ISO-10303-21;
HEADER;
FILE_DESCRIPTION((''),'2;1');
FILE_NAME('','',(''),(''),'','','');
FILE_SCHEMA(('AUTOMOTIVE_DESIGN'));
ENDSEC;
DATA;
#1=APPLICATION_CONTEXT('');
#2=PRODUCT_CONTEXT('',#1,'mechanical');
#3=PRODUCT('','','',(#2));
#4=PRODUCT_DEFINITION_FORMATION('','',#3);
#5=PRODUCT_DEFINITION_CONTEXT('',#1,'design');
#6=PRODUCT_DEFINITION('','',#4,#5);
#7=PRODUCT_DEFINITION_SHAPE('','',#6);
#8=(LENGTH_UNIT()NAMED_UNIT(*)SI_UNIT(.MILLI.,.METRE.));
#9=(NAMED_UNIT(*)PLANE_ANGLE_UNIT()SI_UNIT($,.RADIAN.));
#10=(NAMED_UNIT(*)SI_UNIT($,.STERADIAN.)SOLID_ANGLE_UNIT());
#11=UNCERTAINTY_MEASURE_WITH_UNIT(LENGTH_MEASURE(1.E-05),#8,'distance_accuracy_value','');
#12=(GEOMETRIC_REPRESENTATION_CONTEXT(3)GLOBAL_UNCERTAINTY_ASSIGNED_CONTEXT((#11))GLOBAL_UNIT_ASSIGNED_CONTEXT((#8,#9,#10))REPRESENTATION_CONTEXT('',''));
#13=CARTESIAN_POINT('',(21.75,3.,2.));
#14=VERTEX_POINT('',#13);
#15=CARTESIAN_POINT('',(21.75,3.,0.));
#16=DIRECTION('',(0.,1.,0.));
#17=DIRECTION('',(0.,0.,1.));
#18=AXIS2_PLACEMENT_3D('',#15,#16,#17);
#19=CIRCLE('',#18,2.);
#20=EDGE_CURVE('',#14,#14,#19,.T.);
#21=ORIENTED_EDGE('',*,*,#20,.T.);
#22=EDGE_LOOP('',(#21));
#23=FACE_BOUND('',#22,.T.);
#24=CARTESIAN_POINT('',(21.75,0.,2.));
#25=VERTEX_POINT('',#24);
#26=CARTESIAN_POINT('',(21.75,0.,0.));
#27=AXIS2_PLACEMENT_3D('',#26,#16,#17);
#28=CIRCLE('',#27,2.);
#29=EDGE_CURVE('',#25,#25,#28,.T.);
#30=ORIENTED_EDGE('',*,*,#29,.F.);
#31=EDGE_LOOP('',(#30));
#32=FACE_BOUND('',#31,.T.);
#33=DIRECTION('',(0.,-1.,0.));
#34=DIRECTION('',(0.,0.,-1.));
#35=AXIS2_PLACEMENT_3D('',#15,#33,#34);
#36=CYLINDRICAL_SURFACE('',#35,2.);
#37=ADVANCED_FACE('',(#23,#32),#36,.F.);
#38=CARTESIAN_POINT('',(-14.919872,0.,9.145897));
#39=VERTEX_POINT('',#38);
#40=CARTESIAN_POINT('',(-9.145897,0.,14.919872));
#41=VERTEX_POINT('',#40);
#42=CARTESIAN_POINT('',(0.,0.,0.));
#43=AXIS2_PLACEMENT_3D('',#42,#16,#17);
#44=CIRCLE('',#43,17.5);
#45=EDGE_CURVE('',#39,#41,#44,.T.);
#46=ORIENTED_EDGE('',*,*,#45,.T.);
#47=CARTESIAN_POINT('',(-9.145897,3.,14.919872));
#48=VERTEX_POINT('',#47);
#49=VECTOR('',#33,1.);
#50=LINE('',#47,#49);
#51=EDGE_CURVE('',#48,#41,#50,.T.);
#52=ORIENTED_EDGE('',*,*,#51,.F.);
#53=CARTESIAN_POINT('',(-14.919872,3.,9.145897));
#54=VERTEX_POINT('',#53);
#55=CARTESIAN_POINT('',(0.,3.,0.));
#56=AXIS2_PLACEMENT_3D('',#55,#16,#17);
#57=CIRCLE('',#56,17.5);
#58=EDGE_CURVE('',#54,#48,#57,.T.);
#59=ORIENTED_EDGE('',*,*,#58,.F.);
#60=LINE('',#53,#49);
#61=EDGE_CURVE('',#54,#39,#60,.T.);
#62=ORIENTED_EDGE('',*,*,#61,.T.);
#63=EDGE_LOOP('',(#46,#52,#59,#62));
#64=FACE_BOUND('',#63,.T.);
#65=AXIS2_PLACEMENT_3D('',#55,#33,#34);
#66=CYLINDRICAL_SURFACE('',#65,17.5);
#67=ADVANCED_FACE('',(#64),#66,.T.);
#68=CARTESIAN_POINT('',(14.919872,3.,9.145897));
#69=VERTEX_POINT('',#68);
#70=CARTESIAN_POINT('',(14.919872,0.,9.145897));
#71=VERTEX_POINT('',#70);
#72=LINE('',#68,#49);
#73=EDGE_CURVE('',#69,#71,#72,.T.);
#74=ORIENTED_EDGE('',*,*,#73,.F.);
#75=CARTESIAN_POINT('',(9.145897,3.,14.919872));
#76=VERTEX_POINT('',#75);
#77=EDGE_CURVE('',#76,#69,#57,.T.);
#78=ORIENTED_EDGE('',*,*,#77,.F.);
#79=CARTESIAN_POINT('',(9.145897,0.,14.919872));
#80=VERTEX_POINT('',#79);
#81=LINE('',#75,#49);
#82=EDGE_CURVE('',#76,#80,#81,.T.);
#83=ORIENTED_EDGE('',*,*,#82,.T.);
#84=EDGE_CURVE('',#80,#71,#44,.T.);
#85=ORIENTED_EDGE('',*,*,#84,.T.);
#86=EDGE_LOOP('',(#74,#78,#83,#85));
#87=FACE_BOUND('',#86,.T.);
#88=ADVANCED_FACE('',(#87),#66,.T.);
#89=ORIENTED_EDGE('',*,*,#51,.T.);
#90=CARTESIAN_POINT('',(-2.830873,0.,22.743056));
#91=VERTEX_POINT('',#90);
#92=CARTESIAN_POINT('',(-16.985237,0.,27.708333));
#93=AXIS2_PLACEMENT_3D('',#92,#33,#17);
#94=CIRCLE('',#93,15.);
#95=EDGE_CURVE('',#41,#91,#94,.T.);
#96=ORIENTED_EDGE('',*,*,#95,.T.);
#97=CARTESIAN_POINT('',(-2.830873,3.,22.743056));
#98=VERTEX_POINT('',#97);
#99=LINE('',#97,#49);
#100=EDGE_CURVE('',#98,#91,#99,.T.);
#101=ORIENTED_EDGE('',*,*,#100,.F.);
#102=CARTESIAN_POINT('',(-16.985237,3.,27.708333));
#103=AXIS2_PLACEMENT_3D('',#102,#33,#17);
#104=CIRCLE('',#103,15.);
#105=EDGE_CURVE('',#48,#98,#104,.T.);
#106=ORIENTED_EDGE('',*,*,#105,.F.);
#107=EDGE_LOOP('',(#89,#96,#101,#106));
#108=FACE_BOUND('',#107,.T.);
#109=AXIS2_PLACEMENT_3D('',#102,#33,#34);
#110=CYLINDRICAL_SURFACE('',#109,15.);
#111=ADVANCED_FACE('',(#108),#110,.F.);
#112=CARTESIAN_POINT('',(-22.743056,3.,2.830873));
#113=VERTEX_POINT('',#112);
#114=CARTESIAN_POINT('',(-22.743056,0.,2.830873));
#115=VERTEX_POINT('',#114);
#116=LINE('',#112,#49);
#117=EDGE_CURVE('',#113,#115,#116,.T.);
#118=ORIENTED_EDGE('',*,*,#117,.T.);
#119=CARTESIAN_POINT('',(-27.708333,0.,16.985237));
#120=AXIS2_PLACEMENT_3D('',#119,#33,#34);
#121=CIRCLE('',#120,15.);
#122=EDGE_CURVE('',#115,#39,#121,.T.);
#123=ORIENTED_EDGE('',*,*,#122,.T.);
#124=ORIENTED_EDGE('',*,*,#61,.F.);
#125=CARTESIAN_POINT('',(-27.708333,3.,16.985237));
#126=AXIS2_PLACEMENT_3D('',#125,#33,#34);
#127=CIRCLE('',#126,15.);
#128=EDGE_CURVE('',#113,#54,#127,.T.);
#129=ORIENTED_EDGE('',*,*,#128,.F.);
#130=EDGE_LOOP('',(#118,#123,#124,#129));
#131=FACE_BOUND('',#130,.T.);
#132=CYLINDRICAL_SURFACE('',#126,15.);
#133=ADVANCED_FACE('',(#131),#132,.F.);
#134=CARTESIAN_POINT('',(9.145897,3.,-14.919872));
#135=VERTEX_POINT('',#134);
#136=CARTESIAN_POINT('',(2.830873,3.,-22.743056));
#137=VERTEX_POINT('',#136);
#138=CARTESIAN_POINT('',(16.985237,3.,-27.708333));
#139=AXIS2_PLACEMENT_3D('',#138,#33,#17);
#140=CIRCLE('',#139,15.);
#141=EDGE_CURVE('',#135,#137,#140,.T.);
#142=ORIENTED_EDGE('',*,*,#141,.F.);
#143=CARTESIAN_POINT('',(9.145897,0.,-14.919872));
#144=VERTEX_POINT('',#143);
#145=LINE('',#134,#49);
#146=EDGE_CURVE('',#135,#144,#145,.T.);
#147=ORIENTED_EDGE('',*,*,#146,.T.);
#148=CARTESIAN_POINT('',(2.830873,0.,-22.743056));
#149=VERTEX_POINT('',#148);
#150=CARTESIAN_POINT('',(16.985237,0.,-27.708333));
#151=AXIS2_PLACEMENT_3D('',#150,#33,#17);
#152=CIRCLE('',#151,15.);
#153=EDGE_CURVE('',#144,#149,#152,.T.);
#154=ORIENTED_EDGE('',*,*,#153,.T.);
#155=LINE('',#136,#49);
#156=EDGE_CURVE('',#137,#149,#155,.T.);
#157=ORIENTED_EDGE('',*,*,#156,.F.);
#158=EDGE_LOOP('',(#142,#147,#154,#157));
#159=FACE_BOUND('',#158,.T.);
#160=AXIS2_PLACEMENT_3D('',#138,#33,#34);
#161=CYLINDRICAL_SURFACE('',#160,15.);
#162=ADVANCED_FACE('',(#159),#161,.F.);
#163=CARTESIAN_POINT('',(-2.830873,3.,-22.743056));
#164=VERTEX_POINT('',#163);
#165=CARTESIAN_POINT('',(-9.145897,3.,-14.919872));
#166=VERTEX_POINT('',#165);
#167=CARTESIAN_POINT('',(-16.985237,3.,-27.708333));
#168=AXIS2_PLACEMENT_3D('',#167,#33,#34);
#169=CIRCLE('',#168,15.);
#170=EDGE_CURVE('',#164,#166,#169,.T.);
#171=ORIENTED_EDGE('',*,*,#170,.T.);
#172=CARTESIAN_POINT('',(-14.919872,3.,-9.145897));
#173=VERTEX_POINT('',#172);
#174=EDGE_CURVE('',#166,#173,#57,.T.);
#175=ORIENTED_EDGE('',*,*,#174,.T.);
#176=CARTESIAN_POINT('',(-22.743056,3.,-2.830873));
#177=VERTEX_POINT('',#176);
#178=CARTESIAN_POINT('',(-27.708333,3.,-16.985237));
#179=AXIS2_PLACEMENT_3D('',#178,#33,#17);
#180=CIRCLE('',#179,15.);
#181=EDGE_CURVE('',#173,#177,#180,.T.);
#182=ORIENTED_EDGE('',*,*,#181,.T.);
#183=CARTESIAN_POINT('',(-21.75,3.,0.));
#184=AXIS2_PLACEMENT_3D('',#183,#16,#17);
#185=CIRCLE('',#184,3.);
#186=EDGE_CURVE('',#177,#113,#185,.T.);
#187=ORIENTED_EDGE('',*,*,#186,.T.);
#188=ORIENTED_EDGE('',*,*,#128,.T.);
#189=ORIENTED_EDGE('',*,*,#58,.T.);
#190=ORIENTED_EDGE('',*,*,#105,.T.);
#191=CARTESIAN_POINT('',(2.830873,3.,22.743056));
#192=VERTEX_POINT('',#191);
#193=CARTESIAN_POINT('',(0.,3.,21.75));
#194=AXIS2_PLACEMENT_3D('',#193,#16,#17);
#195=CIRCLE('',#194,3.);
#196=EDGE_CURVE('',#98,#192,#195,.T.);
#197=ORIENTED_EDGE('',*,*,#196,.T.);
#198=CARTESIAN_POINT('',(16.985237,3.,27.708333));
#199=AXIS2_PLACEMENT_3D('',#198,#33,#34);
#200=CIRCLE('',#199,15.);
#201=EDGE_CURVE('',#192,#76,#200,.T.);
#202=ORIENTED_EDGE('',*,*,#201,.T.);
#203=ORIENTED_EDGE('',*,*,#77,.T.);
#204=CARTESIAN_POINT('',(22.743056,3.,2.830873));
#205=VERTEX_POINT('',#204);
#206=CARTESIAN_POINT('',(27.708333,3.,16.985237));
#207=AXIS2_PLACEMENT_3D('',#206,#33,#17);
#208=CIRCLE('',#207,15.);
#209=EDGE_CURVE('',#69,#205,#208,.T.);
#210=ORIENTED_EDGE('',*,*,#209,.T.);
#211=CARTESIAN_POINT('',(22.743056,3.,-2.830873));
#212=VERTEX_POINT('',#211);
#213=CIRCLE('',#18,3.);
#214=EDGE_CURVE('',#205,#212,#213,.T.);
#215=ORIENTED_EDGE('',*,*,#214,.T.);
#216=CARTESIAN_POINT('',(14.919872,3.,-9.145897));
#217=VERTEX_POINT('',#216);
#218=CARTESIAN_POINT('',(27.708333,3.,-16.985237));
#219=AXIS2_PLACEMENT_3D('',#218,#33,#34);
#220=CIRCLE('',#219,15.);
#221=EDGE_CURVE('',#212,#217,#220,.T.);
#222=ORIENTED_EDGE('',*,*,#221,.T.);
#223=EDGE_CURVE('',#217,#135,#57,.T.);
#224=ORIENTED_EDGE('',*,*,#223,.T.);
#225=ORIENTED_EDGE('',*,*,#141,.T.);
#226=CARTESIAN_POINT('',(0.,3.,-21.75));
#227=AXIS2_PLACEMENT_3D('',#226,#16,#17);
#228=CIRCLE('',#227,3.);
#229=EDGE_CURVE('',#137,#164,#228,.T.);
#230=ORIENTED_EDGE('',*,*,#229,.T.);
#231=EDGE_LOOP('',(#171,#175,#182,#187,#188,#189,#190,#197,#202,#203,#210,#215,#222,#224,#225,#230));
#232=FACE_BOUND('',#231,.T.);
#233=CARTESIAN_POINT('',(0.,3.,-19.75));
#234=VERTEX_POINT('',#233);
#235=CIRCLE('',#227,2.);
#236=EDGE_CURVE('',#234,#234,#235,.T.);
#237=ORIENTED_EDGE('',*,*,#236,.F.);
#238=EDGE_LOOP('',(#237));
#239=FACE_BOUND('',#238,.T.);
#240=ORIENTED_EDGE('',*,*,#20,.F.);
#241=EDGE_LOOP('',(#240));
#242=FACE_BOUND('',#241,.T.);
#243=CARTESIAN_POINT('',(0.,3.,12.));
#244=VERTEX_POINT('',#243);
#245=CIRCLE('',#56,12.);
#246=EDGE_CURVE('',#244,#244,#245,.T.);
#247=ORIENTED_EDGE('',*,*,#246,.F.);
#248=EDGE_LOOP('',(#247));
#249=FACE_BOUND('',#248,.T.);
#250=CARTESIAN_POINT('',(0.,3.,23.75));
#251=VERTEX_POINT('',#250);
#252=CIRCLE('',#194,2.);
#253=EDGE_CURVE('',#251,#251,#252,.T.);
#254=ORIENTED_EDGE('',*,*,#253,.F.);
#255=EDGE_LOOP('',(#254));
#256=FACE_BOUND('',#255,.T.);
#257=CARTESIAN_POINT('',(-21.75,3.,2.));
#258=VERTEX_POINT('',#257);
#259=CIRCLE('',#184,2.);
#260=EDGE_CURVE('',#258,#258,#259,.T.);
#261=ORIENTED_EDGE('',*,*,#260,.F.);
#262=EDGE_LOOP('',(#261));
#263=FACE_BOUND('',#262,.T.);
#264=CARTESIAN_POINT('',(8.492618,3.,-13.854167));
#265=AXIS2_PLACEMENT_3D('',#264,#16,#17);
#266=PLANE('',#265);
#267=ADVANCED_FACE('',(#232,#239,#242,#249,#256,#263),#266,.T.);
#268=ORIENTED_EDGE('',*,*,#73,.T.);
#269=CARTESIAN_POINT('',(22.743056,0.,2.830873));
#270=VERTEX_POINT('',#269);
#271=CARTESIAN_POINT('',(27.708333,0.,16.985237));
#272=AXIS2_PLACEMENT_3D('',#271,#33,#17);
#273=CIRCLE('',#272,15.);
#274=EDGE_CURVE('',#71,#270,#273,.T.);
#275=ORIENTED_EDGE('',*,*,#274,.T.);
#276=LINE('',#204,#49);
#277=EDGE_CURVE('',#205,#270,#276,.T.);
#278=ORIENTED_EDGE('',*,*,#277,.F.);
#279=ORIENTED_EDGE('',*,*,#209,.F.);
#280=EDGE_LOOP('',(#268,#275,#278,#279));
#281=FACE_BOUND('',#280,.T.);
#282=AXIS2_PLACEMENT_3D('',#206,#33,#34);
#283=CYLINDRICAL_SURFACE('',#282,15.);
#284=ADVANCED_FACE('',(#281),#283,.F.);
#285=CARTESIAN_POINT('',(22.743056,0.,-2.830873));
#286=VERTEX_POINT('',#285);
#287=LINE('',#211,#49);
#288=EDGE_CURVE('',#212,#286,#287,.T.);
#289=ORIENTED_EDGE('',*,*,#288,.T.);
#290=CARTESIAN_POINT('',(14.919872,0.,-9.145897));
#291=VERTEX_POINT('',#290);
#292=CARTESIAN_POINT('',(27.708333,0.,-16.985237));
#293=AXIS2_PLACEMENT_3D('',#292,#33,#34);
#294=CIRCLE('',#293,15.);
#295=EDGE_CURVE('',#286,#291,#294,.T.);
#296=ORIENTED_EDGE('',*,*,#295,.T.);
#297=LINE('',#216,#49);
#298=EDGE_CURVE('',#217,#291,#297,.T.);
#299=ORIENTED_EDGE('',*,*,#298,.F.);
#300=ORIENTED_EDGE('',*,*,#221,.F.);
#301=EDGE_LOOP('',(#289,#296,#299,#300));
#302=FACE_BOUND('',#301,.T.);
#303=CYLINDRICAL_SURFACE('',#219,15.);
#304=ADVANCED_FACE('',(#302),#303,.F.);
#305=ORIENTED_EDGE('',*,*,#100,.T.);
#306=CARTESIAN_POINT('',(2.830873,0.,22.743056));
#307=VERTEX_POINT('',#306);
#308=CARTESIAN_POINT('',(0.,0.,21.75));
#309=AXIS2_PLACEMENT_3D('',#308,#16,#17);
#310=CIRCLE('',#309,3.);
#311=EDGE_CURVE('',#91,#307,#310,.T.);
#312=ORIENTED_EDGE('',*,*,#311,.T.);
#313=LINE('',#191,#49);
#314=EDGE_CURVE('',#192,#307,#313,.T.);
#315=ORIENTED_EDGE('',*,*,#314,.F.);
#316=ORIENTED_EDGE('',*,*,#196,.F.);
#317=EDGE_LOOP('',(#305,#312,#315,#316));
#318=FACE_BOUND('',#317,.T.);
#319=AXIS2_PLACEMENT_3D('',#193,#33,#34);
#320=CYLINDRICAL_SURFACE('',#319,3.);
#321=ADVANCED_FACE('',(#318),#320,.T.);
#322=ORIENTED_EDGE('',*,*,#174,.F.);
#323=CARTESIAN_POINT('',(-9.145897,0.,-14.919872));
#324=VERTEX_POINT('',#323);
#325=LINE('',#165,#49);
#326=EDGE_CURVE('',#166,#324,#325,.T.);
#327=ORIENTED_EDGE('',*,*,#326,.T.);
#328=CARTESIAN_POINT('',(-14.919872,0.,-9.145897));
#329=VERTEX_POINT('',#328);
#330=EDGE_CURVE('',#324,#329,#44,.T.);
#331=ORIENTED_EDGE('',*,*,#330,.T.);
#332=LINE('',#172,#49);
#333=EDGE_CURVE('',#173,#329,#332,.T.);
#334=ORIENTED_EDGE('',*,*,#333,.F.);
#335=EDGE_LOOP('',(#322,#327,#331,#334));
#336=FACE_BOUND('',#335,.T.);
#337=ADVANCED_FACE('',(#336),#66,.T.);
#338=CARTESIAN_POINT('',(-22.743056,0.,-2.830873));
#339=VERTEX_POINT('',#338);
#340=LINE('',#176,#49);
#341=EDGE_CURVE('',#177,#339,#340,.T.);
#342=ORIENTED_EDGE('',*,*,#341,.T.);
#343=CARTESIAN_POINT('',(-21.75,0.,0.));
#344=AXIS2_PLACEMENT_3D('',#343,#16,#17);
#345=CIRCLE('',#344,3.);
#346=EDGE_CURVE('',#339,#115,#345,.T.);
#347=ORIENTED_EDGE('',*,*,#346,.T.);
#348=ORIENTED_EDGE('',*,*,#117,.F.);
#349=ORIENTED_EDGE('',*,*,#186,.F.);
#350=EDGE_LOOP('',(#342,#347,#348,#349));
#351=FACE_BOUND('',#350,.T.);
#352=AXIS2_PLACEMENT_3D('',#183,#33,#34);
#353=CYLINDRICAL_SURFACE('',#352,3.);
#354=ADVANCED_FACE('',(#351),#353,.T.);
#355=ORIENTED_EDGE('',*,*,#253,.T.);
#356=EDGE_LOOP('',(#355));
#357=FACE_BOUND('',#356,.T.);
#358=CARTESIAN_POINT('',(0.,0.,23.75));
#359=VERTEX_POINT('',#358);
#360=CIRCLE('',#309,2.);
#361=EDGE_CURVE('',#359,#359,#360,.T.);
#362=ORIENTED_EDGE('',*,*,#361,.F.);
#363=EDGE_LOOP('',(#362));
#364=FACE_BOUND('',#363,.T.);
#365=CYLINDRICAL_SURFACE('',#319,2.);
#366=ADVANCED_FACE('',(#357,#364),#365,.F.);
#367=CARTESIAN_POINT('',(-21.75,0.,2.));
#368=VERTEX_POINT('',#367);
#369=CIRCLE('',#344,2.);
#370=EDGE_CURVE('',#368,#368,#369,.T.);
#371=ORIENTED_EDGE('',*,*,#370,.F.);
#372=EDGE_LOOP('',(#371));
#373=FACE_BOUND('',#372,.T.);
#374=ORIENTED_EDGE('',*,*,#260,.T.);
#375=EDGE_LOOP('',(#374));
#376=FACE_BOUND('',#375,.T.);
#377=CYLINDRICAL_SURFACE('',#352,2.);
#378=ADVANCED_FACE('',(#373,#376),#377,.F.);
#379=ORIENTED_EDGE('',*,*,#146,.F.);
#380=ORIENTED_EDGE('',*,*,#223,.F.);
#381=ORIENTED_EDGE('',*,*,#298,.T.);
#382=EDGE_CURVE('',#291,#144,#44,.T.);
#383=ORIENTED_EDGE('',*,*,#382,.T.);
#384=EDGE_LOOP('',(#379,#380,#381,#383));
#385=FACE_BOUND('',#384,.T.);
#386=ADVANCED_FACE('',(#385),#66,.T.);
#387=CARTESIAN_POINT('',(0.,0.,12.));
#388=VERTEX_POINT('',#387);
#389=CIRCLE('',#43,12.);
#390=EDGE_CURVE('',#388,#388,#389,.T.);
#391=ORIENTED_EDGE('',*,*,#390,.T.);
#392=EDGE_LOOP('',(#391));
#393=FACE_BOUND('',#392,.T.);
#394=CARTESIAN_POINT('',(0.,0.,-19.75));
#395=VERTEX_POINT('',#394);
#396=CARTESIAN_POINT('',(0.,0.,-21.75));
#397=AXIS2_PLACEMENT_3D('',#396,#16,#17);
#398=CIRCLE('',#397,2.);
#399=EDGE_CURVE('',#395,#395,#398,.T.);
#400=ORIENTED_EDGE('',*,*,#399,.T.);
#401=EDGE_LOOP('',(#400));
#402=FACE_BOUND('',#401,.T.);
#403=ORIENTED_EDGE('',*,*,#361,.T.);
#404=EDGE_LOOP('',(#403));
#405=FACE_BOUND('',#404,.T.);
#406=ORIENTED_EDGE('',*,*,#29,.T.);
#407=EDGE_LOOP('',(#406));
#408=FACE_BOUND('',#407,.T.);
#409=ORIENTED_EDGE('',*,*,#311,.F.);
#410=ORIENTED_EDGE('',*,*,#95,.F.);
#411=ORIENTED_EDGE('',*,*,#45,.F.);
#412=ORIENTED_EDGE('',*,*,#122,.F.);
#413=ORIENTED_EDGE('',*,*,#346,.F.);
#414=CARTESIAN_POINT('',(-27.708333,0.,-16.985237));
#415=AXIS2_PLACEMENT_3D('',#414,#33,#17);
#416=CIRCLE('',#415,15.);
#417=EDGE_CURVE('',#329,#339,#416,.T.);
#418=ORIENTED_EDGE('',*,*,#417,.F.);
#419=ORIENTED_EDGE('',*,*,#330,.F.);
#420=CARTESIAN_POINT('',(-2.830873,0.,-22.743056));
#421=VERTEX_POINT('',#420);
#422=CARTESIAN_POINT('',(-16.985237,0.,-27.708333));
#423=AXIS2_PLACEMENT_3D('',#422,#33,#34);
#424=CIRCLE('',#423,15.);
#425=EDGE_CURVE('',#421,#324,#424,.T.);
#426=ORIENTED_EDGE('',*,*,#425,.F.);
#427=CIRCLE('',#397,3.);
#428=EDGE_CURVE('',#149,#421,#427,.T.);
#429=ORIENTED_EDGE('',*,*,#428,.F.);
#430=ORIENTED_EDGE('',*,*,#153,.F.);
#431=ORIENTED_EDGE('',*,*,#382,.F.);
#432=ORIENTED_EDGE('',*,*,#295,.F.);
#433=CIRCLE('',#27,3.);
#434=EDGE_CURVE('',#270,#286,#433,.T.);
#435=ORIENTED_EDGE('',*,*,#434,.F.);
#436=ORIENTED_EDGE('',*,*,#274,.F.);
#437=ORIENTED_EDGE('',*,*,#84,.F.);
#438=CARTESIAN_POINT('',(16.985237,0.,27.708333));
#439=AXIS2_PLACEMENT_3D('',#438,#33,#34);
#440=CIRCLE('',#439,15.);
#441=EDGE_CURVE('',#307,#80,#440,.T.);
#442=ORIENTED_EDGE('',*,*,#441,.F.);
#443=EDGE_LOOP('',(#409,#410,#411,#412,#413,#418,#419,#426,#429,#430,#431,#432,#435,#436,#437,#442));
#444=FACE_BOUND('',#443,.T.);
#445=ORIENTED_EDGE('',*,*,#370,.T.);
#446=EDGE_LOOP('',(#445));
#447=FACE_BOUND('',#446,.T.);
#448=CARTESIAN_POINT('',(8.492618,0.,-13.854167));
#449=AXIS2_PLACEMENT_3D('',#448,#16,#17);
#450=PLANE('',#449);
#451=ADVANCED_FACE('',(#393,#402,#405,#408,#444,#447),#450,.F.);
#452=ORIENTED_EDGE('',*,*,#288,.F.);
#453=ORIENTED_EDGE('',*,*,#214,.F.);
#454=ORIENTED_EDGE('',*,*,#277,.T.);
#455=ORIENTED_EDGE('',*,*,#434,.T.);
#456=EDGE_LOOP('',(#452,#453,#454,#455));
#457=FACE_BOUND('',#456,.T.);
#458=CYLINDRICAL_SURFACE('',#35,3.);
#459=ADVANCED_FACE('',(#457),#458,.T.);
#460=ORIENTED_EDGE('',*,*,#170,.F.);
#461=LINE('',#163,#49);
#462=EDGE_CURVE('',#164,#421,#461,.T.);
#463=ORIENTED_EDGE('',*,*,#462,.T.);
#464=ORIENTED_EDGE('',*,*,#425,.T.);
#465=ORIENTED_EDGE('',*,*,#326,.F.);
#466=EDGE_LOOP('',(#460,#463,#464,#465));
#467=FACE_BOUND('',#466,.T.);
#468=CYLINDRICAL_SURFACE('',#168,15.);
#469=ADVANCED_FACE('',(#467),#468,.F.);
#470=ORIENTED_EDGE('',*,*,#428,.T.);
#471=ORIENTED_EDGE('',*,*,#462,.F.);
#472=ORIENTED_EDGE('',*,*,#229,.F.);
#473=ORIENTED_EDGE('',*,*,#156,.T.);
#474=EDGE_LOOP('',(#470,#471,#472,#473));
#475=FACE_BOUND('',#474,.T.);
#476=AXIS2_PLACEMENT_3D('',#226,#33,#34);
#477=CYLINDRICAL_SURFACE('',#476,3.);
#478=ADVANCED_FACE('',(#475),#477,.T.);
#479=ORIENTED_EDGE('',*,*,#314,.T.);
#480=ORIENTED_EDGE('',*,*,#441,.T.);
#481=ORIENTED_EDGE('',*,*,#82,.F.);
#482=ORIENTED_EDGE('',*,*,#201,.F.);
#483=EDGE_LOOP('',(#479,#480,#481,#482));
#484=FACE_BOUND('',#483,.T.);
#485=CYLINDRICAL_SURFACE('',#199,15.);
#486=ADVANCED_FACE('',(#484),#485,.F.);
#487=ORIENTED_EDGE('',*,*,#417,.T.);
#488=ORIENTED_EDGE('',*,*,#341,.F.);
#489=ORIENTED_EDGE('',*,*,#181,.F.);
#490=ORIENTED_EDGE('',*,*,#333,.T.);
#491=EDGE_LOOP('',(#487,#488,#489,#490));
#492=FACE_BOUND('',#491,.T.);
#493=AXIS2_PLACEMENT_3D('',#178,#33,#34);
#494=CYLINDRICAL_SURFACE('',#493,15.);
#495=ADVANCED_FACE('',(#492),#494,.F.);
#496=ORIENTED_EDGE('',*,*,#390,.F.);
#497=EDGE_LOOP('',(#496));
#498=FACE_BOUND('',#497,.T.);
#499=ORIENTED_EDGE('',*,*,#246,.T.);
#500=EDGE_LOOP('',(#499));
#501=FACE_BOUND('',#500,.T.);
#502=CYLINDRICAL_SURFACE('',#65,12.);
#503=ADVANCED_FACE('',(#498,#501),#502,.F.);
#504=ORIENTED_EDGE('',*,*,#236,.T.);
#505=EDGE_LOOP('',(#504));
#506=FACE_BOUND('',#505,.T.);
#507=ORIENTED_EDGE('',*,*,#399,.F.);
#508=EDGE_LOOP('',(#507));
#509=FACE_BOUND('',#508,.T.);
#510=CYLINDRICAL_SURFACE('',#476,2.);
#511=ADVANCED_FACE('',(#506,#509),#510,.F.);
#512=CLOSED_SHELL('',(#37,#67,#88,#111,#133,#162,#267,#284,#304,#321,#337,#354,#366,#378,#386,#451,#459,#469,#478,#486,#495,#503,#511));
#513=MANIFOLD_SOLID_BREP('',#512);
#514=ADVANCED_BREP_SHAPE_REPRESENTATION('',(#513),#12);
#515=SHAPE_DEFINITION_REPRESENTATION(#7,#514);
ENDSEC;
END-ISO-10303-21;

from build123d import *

# Parameters (mm, degrees)
SKETCH_1_R      = 12
SKETCH_1_R_2    = 2
EXTRUDE_1_DEPTH = 3


with BuildPart() as part:
    # ｽｹｯﾁ1 → ﾎﾞｽ - 押し出し1 (new body)
    with BuildSketch(Plane(origin=(0, 0, 0), x_dir=(1, 0, 0), z_dir=(0, 1, 0))):
        with BuildLine():
            ThreePointArc((-9.145896655, 14.919871795), (-12.374368671, 12.374368671), (-14.919871795, 9.145896655))
            ThreePointArc((-14.919871795, 9.145896655), (-18.286619233, 5.313420016), (-22.743055556, 2.830872774))
            ThreePointArc((-22.743055556, 2.830872774), (-24.75, 0), (-22.743055556, -2.830872774))
            ThreePointArc((-22.743055556, -2.830872774), (-18.286619233, -5.313420016), (-14.919871795, -9.145896655))
            ThreePointArc((-14.919871795, -9.145896655), (-12.374368671, -12.374368671), (-9.145896655, -14.919871795))
            ThreePointArc((-9.145896655, -14.919871795), (-5.313420016, -18.286619233), (-2.830872774, -22.743055556))
            ThreePointArc((-2.830872774, -22.743055556), (0, -24.75), (2.830872774, -22.743055556))
            ThreePointArc((2.830872774, -22.743055556), (5.313420016, -18.286619233), (9.145896655, -14.919871795))
            ThreePointArc((9.145896655, -14.919871795), (12.374368671, -12.374368671), (14.919871795, -9.145896655))
            ThreePointArc((14.919871795, -9.145896655), (18.286619233, -5.313420016), (22.743055556, -2.830872774))
            ThreePointArc((22.743055556, -2.830872774), (24.75, 0), (22.743055556, 2.830872774))
            ThreePointArc((22.743055556, 2.830872774), (18.286619233, 5.313420016), (14.919871795, 9.145896655))
            ThreePointArc((14.919871795, 9.145896655), (12.374368671, 12.374368671), (9.145896655, 14.919871795))
            ThreePointArc((9.145896655, 14.919871795), (5.313420016, 18.286619233), (2.830872774, 22.743055556))
            ThreePointArc((2.830872774, 22.743055556), (0, 24.75), (-2.830872774, 22.743055556))
            ThreePointArc((-2.830872774, 22.743055556), (-5.313420016, 18.286619233), (-9.145896655, 14.919871795))
        make_face()
        with Locations(Location((0, 0, 0), (0, 0, 270))):
            Circle(SKETCH_1_R, mode=Mode.SUBTRACT)
        with Locations(Location((0, 21.75, 0), (0, 0, 270))):
            Circle(SKETCH_1_R_2, mode=Mode.SUBTRACT)
        with Locations(Location((21.75, 0, 0), (0, 0, 270))):
            Circle(SKETCH_1_R_2, mode=Mode.SUBTRACT)
        with Locations(Location((0, -21.75, 0), (0, 0, 270))):
            Circle(SKETCH_1_R_2, mode=Mode.SUBTRACT)
        with Locations(Location((-21.75, 0, 0), (0, 0, 270))):
            Circle(SKETCH_1_R_2, mode=Mode.SUBTRACT)
    extrude(amount=EXTRUDE_1_DEPTH)


solid = part.part
